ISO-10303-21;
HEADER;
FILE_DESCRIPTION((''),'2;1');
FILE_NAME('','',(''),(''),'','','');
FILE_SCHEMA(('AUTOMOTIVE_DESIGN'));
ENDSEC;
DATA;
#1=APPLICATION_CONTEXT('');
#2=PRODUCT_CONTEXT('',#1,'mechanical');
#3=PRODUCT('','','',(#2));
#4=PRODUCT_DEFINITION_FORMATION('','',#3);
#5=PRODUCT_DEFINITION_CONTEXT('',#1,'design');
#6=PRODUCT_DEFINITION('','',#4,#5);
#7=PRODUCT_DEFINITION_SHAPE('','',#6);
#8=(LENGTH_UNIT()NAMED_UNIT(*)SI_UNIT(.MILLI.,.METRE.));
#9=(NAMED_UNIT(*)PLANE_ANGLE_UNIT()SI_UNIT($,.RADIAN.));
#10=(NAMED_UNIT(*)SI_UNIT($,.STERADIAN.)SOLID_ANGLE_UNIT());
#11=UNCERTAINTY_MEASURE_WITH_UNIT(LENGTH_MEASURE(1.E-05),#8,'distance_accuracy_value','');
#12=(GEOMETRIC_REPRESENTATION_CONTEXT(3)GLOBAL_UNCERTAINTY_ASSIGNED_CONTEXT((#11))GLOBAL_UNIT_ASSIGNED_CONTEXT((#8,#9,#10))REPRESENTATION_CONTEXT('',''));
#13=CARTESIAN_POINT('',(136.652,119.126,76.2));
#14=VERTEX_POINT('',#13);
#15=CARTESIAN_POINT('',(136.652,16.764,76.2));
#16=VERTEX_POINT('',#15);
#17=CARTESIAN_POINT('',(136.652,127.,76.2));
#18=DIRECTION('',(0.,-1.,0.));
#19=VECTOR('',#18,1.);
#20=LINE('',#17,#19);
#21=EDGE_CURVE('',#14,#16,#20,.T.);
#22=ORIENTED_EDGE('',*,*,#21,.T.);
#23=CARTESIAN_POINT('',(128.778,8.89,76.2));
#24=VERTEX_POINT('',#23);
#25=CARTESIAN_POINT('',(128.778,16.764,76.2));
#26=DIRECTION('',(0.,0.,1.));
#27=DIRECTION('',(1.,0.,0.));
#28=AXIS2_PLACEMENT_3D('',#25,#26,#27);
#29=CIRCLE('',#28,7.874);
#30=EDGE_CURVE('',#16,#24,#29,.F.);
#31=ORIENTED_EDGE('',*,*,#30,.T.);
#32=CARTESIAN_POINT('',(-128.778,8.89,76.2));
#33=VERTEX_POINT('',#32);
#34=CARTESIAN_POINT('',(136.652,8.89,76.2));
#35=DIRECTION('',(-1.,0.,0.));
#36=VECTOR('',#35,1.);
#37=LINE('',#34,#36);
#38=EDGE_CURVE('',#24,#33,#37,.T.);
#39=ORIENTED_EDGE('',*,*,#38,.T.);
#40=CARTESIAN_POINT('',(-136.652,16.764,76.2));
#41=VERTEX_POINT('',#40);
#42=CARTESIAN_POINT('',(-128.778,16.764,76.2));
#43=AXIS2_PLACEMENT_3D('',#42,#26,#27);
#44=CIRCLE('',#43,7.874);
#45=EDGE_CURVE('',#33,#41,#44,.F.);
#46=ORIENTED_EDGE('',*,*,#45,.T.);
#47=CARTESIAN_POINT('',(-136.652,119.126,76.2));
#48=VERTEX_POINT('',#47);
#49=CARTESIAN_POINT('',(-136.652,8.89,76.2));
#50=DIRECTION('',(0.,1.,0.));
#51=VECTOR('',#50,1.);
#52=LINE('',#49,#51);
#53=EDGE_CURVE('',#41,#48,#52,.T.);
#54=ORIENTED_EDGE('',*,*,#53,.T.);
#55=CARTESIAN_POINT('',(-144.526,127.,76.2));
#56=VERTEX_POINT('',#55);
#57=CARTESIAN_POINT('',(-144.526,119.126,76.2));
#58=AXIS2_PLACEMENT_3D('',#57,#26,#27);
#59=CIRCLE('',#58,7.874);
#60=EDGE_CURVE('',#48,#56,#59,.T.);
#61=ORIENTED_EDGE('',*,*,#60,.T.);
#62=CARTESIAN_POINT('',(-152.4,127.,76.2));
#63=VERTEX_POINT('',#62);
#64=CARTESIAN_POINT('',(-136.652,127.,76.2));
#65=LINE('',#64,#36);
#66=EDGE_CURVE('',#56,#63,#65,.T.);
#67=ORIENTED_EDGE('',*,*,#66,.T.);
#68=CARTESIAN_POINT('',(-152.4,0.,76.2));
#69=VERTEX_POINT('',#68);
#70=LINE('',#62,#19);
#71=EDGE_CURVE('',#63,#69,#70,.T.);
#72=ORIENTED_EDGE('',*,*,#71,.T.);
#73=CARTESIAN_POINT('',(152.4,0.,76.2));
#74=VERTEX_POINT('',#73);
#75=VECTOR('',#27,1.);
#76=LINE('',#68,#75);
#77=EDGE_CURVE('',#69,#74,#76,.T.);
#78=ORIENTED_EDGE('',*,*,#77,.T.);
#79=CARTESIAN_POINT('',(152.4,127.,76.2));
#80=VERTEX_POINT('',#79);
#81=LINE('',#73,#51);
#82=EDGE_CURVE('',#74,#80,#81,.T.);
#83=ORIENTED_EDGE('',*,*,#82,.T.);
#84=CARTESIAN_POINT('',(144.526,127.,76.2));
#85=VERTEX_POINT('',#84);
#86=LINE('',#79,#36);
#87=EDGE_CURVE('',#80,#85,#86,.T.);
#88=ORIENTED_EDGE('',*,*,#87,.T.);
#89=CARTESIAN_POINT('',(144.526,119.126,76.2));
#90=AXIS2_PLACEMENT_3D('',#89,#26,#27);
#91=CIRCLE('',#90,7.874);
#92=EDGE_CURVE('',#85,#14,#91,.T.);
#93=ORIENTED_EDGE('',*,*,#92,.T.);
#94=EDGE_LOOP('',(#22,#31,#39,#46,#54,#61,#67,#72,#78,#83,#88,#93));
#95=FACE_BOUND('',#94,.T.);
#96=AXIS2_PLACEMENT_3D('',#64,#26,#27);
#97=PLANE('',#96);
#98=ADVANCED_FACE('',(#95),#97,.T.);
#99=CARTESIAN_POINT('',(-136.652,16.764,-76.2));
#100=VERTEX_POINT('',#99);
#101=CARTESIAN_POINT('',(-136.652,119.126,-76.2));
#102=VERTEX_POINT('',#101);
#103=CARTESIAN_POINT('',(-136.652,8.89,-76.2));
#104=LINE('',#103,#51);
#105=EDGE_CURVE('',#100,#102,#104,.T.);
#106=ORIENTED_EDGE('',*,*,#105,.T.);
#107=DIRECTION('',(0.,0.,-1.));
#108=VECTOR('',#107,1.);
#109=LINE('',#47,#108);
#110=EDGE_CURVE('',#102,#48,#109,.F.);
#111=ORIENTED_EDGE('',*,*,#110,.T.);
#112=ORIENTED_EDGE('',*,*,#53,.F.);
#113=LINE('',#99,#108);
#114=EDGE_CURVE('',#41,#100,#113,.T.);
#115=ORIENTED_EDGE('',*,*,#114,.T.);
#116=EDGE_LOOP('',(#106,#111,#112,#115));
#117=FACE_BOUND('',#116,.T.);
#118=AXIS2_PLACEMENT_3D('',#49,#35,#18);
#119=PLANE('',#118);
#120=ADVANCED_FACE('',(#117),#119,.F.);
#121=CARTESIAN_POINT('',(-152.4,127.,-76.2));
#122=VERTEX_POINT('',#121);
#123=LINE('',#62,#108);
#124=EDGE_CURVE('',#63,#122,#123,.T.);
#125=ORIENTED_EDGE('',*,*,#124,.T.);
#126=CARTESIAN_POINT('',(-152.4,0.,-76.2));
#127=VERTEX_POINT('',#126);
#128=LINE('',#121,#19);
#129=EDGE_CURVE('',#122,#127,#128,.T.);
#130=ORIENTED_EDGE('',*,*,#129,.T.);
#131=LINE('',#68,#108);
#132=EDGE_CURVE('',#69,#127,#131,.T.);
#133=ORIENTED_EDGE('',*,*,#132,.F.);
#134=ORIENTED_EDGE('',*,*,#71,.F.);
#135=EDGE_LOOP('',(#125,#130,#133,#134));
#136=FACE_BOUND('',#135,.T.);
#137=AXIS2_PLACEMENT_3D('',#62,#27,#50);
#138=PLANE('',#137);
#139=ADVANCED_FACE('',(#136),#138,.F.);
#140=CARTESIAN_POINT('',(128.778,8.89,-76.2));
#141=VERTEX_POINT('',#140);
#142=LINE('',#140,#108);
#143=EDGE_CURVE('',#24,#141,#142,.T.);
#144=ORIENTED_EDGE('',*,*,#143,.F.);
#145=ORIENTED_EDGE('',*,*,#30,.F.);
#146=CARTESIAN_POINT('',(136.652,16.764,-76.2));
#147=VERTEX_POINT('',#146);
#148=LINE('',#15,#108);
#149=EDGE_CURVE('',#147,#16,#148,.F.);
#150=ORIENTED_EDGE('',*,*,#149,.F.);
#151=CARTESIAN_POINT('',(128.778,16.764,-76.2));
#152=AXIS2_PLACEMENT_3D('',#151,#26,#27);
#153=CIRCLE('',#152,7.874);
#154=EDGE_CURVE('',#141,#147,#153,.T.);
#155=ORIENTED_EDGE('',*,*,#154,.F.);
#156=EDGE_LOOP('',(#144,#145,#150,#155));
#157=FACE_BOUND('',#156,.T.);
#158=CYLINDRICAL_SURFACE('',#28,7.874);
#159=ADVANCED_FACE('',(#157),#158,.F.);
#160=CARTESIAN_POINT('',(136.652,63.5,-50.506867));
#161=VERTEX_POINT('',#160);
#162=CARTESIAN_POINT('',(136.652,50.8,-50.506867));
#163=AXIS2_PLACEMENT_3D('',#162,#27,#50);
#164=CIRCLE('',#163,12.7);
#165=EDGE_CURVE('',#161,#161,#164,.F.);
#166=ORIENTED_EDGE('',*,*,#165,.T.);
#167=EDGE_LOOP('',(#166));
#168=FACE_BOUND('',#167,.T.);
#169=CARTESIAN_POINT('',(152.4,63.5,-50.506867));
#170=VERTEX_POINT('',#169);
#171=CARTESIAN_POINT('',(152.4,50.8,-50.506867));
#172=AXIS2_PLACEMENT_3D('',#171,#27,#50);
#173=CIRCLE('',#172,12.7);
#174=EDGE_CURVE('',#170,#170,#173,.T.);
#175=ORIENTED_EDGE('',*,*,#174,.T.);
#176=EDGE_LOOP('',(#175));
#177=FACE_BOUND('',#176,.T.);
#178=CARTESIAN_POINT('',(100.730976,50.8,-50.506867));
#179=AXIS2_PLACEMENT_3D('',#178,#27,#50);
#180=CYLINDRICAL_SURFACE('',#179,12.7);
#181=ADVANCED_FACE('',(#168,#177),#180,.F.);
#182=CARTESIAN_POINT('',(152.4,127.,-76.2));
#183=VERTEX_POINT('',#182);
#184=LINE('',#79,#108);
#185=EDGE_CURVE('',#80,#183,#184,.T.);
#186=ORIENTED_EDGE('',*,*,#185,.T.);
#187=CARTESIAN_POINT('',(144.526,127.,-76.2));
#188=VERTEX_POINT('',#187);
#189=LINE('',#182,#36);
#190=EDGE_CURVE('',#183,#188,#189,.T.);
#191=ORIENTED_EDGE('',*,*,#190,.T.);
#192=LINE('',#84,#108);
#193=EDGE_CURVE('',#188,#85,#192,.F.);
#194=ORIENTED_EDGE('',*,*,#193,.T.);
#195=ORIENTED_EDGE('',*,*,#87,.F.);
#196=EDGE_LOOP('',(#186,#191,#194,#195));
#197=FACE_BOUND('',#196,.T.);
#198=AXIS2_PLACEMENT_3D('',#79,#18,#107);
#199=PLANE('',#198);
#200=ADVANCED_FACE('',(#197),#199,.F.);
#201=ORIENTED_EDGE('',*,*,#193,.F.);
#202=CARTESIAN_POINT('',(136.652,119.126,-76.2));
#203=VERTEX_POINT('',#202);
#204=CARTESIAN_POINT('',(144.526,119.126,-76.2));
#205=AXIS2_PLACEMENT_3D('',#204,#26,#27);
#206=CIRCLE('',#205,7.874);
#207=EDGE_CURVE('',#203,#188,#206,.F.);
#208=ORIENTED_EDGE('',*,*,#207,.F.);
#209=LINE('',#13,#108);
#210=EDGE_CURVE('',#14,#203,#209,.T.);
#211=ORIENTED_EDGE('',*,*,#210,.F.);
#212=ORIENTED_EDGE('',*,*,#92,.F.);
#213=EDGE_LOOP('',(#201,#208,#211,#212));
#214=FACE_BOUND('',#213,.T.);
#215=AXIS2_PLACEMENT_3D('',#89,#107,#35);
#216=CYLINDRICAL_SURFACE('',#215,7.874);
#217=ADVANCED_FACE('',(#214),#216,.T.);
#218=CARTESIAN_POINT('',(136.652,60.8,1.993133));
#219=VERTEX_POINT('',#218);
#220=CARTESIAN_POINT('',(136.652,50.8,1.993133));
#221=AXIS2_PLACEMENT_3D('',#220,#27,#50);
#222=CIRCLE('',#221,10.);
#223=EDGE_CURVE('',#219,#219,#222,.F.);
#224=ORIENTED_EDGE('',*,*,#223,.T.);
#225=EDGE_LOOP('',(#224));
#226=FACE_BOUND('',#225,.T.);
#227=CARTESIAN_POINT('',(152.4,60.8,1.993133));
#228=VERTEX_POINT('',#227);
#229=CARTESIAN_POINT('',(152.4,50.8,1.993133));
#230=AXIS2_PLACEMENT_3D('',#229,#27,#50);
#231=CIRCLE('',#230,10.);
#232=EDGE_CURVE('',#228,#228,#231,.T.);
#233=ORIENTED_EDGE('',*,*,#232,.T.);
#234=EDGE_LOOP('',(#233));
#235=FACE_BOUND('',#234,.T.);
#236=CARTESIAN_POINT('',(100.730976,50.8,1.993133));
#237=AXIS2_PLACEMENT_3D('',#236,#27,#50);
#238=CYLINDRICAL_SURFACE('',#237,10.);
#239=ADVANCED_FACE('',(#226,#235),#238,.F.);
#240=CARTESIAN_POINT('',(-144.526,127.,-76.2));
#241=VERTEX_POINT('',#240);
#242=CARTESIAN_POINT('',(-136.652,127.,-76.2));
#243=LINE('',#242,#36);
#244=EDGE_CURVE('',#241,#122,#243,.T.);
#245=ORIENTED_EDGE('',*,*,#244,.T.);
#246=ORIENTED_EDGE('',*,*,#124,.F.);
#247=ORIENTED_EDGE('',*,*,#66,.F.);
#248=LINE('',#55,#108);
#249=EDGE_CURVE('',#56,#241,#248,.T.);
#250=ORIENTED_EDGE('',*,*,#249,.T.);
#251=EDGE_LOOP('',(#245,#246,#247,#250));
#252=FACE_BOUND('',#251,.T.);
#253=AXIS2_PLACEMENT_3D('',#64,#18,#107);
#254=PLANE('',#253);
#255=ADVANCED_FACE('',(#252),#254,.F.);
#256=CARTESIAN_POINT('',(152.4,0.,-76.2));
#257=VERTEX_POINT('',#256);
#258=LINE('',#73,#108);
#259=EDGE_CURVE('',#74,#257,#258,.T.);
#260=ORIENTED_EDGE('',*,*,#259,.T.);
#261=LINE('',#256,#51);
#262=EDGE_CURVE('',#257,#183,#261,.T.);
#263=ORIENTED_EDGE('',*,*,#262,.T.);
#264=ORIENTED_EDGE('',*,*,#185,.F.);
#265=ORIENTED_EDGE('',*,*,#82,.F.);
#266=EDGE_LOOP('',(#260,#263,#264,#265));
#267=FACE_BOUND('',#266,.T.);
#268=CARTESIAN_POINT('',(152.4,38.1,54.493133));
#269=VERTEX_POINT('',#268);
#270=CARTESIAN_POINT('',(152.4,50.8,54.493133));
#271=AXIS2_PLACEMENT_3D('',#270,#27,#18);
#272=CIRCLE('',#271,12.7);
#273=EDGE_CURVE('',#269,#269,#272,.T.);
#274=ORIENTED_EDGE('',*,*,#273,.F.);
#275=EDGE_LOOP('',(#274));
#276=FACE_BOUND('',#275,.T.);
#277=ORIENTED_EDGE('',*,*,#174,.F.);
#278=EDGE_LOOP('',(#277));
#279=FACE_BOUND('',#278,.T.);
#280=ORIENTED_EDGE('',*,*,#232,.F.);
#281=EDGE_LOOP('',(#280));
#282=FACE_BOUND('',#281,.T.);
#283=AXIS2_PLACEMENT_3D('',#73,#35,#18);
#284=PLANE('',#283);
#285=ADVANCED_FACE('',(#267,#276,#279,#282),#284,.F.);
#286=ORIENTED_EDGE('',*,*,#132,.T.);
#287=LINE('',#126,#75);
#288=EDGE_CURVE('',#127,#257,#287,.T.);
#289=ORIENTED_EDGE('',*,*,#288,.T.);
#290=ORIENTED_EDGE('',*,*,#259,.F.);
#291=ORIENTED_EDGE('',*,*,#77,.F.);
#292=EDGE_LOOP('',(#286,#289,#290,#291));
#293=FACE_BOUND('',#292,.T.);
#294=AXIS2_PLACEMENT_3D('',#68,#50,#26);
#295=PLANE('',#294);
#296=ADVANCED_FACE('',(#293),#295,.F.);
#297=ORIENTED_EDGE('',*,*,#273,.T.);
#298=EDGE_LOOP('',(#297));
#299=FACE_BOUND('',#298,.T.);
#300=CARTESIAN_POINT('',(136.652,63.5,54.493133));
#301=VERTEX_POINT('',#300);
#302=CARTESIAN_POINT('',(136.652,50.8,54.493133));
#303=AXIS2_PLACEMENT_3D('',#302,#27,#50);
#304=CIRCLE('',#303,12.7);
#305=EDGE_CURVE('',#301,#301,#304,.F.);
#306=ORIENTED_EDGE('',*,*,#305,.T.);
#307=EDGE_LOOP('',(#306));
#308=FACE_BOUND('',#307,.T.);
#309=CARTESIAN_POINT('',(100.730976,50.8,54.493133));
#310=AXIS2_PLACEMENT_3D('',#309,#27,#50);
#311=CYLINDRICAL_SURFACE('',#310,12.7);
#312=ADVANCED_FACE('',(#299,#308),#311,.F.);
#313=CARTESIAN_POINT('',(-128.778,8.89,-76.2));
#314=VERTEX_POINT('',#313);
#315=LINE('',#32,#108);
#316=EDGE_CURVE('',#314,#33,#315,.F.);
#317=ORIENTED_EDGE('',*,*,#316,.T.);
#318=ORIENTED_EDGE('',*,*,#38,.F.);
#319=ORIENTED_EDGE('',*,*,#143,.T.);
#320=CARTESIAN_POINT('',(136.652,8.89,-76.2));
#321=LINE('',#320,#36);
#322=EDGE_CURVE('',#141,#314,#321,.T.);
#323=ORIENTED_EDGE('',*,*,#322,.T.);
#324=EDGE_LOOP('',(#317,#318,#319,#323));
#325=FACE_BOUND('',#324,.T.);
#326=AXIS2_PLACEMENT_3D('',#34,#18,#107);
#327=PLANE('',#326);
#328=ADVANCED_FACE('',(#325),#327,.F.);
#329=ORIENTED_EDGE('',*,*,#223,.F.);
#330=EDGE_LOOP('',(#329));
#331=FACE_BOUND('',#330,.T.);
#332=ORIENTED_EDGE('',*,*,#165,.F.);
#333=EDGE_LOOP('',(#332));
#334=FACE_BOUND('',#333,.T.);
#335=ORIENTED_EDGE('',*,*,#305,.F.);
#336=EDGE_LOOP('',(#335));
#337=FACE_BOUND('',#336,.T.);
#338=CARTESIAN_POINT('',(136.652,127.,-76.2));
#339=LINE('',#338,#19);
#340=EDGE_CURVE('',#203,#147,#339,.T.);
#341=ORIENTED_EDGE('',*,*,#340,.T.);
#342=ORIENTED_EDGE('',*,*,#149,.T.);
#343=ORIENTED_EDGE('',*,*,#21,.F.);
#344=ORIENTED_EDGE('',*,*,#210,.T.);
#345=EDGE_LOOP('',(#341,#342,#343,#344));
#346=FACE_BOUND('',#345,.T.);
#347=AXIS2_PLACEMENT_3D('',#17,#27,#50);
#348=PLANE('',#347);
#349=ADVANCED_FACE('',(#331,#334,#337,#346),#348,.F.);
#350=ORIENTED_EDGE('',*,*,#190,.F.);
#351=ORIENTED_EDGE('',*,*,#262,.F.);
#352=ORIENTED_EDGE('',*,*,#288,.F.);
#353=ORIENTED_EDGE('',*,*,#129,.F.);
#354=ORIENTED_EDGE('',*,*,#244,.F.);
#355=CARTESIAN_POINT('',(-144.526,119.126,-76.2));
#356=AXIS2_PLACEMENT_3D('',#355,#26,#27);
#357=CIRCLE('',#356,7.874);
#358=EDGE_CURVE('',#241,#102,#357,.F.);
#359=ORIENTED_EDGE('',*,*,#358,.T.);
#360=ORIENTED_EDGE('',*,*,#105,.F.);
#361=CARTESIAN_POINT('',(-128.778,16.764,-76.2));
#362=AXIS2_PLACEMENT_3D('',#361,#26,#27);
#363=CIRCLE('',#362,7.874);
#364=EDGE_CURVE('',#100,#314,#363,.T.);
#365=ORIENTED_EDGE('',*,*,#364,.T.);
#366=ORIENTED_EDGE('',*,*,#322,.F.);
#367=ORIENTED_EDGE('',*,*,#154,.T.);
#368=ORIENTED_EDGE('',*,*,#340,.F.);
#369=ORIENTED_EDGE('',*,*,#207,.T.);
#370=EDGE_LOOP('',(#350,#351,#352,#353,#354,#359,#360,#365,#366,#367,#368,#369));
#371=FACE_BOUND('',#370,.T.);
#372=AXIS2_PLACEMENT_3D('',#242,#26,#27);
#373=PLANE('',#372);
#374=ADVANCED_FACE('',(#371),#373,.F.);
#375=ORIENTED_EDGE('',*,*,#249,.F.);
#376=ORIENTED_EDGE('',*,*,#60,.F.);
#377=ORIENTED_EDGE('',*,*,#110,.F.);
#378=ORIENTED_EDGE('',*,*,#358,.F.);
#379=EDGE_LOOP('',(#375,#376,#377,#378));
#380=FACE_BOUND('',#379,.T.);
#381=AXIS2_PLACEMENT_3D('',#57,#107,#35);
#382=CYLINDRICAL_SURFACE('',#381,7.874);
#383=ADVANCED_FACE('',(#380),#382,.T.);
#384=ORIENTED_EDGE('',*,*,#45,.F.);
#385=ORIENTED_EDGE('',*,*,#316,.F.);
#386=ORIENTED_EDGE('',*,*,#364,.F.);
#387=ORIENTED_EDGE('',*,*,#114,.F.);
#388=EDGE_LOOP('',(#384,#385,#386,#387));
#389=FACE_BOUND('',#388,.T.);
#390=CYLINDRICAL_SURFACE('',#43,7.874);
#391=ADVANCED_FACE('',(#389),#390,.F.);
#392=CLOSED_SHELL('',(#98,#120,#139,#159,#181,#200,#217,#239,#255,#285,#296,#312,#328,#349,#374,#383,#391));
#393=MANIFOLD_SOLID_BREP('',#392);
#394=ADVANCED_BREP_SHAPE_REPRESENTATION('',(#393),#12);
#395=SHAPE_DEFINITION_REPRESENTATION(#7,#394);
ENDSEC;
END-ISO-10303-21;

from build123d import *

# Parameters (mm, degrees)
BOSS_EXTRUDE1_DEPTH = 76.2
FILLET1_R           = 7.874
SKETCH3_R           = 12.7
SKETCH3_R_2         = 10
CUT_EXTRUDE1_DEPTH  = 15.748


with BuildPart() as part:
    # Sketch1 → Boss-Extrude1 (new body, symmetric)
    with BuildSketch(Plane.XY):
        Polygon((-136.652, 127), (-152.4, 127), (-152.4, 0), (152.4, 0), (152.4, 127), (136.652, 127), (136.652, 8.89), (-136.652, 8.89), align=None)
    extrude(amount=BOSS_EXTRUDE1_DEPTH, both=True)

    # Fillet1
    fillet1_edges = [part.edges().sort_by_distance(p)[0] for p in [
        (-136.652, 8.89, 0),
        (136.652, 8.89, 0),
        (136.652, 127, 0),
        (-136.652, 127, 0),
    ]]
    fillet(fillet1_edges, radius=FILLET1_R)

    # Sketch3 → Cut-Extrude1 (cut)
    with BuildSketch(Plane(origin=(152.4, 0, 0), x_dir=(0, 0, -1), z_dir=(1, 0, 0))):
        with Locations((50.506866673, 50.8)):
            Circle(SKETCH3_R)
        with Locations((-54.493133327, 50.8)):
            Circle(SKETCH3_R)
        with Locations((-1.993133327, 50.8)):
            Circle(SKETCH3_R_2)
    extrude(amount=-CUT_EXTRUDE1_DEPTH, mode=Mode.SUBTRACT)


solid = part.part
